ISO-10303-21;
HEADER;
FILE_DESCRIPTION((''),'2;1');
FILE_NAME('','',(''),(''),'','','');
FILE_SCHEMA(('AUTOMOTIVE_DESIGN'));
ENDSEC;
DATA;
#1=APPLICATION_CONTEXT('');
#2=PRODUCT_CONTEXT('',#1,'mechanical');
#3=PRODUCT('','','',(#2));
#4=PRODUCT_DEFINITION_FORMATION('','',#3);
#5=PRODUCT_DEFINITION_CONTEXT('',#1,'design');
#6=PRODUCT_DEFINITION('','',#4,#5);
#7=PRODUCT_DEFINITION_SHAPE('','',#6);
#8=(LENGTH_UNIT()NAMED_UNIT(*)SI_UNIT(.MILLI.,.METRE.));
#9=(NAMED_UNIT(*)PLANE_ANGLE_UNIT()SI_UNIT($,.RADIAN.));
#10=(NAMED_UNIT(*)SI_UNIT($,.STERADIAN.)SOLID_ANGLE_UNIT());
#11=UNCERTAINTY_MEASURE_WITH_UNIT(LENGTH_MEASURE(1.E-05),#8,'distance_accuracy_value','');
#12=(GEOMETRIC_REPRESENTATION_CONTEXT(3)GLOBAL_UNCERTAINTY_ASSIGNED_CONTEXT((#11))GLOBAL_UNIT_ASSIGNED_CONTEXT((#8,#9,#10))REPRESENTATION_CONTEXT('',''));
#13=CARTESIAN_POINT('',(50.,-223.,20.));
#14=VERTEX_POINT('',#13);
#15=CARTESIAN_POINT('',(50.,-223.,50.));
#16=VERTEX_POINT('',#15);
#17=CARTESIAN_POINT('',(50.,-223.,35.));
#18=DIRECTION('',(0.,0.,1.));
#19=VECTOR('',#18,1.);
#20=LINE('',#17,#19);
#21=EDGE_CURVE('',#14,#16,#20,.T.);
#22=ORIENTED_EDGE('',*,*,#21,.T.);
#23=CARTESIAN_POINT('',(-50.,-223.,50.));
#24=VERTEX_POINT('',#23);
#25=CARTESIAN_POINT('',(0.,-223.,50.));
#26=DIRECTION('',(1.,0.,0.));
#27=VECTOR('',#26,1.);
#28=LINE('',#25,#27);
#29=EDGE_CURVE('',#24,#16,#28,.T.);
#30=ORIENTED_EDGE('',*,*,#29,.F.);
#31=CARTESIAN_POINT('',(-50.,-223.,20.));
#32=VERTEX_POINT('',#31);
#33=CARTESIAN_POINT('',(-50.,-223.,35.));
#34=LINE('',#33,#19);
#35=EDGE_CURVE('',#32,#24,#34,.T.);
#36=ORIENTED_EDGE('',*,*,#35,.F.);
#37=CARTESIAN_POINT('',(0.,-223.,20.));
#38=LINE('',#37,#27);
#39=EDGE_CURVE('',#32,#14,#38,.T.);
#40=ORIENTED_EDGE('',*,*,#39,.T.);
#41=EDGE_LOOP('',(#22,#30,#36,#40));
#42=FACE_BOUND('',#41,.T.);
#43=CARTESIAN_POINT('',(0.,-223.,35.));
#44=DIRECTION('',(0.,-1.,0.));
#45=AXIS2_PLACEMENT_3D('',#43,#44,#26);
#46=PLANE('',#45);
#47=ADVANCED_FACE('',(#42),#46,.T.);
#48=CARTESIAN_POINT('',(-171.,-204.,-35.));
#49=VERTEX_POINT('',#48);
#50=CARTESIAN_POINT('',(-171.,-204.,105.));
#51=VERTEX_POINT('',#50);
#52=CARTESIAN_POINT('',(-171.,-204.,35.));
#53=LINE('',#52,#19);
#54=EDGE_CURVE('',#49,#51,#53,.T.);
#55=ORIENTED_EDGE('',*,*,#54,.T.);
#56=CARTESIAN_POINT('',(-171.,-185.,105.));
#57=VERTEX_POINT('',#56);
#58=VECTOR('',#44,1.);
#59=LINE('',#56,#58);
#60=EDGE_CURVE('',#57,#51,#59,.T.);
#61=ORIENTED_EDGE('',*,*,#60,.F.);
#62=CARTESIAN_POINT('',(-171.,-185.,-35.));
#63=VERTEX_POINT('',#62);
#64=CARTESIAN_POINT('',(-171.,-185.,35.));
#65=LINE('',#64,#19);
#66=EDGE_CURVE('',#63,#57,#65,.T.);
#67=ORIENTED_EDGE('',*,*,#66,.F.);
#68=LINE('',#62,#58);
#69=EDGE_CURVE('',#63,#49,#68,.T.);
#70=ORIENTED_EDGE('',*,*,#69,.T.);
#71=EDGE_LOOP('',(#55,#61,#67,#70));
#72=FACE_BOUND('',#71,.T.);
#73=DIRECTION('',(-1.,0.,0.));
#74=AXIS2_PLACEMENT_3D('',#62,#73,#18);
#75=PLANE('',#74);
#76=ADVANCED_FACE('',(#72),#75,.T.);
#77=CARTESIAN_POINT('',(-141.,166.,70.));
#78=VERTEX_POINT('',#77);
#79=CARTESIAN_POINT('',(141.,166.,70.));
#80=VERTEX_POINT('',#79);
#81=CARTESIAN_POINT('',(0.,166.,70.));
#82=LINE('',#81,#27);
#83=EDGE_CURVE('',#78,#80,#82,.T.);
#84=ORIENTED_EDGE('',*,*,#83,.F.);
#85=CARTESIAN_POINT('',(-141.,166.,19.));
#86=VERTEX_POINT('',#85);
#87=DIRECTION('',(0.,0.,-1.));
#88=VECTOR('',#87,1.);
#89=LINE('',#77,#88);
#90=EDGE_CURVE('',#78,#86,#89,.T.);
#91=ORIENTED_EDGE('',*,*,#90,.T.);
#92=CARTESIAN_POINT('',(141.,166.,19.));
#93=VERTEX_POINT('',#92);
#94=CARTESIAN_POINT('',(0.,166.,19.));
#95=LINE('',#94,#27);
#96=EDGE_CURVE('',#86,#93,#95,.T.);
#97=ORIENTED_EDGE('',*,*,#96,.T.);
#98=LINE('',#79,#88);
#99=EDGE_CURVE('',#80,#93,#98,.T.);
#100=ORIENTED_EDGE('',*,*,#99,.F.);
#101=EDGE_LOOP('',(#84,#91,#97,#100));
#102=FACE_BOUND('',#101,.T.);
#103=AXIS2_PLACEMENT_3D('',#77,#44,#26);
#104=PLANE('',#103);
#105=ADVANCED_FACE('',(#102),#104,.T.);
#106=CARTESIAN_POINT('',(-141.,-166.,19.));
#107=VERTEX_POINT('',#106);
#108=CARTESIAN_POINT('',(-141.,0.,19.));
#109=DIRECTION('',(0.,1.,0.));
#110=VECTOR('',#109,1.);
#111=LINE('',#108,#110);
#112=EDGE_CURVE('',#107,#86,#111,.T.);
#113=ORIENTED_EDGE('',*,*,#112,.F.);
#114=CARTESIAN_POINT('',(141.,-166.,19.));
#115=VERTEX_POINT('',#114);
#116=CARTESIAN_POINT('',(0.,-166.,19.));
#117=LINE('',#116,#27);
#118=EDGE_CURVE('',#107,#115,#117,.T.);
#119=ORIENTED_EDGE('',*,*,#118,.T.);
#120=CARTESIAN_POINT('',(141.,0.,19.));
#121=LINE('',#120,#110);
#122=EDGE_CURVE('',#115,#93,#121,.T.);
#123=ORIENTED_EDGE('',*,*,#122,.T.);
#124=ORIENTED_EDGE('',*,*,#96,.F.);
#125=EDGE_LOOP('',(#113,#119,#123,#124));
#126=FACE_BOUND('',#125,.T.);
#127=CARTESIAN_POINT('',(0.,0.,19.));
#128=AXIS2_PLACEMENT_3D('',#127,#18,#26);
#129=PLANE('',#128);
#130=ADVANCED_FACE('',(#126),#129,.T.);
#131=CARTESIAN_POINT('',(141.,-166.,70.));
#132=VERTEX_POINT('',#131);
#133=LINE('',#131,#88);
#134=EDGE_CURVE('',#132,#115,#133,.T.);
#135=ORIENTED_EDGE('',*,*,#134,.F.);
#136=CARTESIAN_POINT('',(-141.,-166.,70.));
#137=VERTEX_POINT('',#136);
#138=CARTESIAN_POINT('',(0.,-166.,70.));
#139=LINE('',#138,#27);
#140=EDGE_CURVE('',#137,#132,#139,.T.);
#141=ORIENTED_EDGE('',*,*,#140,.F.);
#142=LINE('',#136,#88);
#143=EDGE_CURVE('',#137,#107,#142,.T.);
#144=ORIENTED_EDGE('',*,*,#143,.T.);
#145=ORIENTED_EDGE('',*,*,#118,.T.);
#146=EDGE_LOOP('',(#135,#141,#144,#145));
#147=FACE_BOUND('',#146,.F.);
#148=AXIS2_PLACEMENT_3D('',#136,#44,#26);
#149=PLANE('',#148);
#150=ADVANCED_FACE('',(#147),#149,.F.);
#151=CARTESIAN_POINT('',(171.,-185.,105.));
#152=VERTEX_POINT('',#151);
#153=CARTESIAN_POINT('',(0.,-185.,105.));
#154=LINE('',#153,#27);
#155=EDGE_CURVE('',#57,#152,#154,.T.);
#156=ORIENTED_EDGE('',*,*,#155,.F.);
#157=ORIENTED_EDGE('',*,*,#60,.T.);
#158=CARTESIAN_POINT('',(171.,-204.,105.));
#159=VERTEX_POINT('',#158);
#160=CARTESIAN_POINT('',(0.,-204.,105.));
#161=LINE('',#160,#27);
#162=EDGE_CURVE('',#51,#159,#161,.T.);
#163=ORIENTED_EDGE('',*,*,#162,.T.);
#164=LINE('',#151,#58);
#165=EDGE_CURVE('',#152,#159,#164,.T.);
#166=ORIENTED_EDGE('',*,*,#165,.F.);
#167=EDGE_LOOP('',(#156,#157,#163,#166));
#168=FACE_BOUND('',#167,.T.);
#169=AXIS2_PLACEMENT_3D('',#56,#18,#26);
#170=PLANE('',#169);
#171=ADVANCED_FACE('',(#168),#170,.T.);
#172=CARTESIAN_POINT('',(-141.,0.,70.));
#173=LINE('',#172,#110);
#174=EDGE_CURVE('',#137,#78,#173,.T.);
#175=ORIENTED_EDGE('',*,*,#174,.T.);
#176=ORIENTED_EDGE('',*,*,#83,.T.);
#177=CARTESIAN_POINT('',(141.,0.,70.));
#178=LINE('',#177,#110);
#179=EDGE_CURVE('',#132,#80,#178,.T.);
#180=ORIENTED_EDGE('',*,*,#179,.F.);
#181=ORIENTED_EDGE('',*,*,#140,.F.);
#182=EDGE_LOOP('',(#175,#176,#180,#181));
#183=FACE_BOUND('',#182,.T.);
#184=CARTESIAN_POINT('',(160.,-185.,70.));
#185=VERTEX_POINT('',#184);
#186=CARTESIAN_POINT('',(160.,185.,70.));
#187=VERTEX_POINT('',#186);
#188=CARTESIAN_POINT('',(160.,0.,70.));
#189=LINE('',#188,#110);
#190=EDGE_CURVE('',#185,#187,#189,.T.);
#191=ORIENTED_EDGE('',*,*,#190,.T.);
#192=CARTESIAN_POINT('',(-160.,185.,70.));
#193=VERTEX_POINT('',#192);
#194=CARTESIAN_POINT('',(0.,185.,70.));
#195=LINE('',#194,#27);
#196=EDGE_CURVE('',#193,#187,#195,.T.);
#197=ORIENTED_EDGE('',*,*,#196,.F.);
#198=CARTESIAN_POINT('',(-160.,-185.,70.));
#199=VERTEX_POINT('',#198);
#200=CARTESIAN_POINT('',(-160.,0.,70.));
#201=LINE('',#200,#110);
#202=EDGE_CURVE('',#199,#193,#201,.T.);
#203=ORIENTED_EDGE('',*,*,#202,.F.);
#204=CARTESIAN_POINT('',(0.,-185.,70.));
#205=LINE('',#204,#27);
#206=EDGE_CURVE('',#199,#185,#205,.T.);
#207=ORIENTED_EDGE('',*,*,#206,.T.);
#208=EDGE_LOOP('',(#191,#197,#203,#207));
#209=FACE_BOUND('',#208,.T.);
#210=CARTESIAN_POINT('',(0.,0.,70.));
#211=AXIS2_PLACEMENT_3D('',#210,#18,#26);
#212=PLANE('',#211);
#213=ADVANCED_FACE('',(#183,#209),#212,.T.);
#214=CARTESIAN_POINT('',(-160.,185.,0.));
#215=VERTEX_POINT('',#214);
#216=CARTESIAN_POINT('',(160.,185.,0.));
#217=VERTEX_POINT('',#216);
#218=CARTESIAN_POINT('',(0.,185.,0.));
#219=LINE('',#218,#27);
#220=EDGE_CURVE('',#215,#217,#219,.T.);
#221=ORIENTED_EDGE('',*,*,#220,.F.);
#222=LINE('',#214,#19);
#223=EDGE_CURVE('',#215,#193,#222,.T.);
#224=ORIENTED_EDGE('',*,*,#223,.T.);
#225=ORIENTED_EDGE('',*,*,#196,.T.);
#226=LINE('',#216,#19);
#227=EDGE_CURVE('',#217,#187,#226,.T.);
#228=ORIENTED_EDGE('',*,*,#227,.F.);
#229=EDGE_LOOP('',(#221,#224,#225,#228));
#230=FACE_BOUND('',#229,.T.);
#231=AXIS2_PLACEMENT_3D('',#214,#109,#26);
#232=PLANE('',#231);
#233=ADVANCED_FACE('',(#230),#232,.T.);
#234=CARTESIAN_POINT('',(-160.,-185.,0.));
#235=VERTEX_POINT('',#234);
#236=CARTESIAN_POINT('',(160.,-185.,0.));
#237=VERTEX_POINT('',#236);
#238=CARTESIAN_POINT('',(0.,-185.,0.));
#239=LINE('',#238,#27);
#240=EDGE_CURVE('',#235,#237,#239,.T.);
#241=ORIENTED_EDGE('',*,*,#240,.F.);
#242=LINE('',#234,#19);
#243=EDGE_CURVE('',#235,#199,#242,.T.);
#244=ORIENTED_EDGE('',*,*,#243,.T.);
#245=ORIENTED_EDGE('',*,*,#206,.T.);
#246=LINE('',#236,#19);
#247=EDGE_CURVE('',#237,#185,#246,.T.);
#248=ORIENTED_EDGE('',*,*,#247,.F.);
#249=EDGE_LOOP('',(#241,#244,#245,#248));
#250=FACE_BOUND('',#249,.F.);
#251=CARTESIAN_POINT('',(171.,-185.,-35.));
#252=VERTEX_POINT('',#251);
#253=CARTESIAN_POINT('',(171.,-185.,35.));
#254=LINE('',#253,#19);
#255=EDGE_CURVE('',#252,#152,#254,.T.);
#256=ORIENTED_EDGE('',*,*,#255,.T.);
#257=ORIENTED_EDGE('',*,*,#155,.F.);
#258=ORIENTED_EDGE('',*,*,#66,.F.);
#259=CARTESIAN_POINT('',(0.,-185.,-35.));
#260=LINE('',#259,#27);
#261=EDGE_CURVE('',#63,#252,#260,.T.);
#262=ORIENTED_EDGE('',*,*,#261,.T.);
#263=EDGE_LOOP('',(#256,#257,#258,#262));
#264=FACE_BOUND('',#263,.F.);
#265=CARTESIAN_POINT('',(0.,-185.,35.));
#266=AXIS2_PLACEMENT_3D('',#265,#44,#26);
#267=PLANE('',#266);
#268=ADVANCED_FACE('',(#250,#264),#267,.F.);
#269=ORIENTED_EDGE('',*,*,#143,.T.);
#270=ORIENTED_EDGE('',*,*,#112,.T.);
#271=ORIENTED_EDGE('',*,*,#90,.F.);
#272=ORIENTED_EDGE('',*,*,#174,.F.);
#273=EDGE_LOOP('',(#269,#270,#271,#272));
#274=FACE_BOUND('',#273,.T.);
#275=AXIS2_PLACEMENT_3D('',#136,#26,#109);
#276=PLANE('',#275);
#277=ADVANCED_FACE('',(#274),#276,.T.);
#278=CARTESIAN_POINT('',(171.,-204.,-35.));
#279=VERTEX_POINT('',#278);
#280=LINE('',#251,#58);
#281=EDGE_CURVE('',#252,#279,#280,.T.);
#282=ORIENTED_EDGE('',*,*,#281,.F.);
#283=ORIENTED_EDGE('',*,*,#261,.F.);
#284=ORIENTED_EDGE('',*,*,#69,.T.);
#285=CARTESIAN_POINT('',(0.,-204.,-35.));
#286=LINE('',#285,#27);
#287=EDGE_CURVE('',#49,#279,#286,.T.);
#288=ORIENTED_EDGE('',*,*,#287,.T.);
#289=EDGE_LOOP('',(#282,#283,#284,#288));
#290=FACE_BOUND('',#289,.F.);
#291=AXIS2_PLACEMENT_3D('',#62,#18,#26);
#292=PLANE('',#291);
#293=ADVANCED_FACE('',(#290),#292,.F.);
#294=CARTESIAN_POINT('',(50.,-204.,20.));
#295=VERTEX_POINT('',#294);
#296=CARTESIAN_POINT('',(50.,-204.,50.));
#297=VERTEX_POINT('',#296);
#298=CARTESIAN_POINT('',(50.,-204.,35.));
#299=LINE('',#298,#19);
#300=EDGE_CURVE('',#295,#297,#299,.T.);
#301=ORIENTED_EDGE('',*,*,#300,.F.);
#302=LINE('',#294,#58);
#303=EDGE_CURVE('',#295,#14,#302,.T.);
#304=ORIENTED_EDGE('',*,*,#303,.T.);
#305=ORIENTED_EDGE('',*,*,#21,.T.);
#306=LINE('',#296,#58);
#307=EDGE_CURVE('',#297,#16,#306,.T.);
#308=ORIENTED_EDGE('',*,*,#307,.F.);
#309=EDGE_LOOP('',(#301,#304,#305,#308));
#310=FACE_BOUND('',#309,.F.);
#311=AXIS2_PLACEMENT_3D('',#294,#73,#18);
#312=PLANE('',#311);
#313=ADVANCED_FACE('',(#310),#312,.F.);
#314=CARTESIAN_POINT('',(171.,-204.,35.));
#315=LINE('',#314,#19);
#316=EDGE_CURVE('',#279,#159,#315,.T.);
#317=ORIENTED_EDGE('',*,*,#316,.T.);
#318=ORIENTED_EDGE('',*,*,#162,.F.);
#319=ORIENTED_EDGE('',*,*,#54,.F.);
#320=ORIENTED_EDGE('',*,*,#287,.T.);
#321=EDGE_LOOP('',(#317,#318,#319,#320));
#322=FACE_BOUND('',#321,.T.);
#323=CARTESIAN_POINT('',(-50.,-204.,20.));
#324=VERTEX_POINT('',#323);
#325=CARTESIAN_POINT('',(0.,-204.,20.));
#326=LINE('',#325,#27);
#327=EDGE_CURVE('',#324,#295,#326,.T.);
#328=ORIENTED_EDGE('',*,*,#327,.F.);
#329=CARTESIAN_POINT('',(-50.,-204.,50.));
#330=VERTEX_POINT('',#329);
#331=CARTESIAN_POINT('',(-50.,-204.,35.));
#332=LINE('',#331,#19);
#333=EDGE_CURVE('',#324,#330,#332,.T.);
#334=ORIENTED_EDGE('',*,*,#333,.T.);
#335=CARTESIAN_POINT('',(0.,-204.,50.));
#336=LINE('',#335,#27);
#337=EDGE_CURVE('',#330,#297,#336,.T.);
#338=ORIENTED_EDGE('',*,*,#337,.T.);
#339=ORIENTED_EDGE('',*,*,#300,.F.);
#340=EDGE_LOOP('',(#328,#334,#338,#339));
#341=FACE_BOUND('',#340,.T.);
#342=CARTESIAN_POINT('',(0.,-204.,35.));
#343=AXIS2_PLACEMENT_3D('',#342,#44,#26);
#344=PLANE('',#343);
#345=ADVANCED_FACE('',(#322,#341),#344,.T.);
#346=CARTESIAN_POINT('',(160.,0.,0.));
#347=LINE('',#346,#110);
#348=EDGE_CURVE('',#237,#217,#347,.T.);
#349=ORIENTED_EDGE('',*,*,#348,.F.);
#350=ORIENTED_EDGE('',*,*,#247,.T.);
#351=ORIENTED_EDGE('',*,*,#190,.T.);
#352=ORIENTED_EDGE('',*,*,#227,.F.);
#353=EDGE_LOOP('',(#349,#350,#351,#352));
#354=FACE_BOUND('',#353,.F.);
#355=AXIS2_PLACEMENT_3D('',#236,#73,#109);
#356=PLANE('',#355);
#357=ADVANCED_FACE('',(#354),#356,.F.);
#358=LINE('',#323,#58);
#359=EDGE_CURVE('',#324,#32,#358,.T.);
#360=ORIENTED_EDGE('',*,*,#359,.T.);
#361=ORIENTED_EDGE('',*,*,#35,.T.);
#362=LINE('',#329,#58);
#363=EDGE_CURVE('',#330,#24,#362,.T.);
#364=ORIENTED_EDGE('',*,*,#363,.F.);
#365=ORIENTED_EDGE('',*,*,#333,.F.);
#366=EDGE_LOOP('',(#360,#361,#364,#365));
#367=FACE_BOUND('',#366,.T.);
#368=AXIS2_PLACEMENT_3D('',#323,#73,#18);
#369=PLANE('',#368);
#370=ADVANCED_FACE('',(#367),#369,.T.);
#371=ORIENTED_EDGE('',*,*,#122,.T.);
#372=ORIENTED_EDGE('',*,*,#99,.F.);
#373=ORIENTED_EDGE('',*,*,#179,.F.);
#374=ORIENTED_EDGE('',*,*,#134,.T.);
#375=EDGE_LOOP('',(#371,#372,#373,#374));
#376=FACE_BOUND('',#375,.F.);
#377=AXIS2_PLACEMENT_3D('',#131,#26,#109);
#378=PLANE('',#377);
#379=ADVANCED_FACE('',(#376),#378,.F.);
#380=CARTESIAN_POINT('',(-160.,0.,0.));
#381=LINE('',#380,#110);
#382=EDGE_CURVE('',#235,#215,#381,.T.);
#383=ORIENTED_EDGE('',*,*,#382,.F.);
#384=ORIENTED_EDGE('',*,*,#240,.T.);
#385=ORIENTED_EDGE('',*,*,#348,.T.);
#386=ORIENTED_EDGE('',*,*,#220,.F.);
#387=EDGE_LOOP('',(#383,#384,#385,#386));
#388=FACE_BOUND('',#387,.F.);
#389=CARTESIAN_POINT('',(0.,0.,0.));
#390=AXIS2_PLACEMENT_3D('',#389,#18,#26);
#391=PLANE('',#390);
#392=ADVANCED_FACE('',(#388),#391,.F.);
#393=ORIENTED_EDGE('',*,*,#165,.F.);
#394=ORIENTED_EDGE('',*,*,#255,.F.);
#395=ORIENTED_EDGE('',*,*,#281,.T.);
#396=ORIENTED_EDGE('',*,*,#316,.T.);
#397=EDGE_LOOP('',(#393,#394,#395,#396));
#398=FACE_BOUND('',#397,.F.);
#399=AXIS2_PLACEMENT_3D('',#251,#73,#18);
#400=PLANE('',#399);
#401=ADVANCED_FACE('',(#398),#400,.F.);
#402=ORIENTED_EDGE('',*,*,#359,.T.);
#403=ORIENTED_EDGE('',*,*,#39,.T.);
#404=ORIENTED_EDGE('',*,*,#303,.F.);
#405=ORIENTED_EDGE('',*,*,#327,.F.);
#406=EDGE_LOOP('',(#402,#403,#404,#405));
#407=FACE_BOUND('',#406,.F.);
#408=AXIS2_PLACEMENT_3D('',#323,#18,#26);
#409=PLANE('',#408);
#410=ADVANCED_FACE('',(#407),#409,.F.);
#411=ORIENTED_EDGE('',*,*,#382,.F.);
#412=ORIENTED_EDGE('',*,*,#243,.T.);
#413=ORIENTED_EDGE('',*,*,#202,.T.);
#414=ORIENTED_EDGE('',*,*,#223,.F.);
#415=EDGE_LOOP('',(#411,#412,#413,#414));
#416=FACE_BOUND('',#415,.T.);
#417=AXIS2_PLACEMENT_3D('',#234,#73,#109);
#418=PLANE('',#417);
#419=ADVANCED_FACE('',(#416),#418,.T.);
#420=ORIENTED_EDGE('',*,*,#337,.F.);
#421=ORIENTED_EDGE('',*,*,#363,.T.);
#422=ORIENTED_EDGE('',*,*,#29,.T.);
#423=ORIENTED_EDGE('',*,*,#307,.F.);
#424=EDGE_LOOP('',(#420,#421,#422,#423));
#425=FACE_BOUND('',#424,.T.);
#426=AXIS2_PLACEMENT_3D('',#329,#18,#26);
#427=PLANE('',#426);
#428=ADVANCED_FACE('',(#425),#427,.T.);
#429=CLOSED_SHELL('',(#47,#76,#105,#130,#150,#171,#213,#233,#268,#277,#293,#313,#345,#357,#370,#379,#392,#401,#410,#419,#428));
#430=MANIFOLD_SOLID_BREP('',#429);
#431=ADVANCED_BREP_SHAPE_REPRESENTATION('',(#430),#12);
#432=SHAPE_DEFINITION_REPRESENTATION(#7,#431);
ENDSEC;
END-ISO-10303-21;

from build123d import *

# Parameters (mm, degrees)
F0_W     = 320
F0_H     = 370
F1_DEPTH = 70
F2_W     = 282
F2_H     = 332
F3_DEPTH = 51
F4_W     = 342
F4_H     = 140
F4_W_2   = 320
F4_H_2   = 70
F5_DEPTH = 19
F6_W     = 100
F6_H     = 30
F7_DEPTH = 19


with BuildPart() as f1:
    # F0 (on Top) → F1 (new body)
    with BuildSketch(Plane.XY):
        Rectangle(F0_W, F0_H)
    extrude(amount=F1_DEPTH)

    # F2 (on face) → F3 (cut)
    with BuildSketch(Plane.XY.offset(70)):
        Rectangle(F2_W, F2_H)
    extrude(amount=-F3_DEPTH, mode=Mode.SUBTRACT)

    # F4 (on face) → F5 (join)
    with BuildSketch(Plane.XZ.offset(185)):
        with Locations((0, 35)):
            Rectangle(F4_W, F4_H)
        with Locations((0, 35)):
            Rectangle(F4_W_2, F4_H_2, mode=Mode.SUBTRACT)
        with Locations((0, 35)):
            Rectangle(F4_W_2, F4_H_2)
    extrude(amount=F5_DEPTH)

    # F6 (on face) → F7 (join)
    with BuildSketch(Plane.XZ.offset(204)):
        with Locations((0, 35)):
            Rectangle(F6_W, F6_H)
    extrude(amount=F7_DEPTH)


solid = f1.part
